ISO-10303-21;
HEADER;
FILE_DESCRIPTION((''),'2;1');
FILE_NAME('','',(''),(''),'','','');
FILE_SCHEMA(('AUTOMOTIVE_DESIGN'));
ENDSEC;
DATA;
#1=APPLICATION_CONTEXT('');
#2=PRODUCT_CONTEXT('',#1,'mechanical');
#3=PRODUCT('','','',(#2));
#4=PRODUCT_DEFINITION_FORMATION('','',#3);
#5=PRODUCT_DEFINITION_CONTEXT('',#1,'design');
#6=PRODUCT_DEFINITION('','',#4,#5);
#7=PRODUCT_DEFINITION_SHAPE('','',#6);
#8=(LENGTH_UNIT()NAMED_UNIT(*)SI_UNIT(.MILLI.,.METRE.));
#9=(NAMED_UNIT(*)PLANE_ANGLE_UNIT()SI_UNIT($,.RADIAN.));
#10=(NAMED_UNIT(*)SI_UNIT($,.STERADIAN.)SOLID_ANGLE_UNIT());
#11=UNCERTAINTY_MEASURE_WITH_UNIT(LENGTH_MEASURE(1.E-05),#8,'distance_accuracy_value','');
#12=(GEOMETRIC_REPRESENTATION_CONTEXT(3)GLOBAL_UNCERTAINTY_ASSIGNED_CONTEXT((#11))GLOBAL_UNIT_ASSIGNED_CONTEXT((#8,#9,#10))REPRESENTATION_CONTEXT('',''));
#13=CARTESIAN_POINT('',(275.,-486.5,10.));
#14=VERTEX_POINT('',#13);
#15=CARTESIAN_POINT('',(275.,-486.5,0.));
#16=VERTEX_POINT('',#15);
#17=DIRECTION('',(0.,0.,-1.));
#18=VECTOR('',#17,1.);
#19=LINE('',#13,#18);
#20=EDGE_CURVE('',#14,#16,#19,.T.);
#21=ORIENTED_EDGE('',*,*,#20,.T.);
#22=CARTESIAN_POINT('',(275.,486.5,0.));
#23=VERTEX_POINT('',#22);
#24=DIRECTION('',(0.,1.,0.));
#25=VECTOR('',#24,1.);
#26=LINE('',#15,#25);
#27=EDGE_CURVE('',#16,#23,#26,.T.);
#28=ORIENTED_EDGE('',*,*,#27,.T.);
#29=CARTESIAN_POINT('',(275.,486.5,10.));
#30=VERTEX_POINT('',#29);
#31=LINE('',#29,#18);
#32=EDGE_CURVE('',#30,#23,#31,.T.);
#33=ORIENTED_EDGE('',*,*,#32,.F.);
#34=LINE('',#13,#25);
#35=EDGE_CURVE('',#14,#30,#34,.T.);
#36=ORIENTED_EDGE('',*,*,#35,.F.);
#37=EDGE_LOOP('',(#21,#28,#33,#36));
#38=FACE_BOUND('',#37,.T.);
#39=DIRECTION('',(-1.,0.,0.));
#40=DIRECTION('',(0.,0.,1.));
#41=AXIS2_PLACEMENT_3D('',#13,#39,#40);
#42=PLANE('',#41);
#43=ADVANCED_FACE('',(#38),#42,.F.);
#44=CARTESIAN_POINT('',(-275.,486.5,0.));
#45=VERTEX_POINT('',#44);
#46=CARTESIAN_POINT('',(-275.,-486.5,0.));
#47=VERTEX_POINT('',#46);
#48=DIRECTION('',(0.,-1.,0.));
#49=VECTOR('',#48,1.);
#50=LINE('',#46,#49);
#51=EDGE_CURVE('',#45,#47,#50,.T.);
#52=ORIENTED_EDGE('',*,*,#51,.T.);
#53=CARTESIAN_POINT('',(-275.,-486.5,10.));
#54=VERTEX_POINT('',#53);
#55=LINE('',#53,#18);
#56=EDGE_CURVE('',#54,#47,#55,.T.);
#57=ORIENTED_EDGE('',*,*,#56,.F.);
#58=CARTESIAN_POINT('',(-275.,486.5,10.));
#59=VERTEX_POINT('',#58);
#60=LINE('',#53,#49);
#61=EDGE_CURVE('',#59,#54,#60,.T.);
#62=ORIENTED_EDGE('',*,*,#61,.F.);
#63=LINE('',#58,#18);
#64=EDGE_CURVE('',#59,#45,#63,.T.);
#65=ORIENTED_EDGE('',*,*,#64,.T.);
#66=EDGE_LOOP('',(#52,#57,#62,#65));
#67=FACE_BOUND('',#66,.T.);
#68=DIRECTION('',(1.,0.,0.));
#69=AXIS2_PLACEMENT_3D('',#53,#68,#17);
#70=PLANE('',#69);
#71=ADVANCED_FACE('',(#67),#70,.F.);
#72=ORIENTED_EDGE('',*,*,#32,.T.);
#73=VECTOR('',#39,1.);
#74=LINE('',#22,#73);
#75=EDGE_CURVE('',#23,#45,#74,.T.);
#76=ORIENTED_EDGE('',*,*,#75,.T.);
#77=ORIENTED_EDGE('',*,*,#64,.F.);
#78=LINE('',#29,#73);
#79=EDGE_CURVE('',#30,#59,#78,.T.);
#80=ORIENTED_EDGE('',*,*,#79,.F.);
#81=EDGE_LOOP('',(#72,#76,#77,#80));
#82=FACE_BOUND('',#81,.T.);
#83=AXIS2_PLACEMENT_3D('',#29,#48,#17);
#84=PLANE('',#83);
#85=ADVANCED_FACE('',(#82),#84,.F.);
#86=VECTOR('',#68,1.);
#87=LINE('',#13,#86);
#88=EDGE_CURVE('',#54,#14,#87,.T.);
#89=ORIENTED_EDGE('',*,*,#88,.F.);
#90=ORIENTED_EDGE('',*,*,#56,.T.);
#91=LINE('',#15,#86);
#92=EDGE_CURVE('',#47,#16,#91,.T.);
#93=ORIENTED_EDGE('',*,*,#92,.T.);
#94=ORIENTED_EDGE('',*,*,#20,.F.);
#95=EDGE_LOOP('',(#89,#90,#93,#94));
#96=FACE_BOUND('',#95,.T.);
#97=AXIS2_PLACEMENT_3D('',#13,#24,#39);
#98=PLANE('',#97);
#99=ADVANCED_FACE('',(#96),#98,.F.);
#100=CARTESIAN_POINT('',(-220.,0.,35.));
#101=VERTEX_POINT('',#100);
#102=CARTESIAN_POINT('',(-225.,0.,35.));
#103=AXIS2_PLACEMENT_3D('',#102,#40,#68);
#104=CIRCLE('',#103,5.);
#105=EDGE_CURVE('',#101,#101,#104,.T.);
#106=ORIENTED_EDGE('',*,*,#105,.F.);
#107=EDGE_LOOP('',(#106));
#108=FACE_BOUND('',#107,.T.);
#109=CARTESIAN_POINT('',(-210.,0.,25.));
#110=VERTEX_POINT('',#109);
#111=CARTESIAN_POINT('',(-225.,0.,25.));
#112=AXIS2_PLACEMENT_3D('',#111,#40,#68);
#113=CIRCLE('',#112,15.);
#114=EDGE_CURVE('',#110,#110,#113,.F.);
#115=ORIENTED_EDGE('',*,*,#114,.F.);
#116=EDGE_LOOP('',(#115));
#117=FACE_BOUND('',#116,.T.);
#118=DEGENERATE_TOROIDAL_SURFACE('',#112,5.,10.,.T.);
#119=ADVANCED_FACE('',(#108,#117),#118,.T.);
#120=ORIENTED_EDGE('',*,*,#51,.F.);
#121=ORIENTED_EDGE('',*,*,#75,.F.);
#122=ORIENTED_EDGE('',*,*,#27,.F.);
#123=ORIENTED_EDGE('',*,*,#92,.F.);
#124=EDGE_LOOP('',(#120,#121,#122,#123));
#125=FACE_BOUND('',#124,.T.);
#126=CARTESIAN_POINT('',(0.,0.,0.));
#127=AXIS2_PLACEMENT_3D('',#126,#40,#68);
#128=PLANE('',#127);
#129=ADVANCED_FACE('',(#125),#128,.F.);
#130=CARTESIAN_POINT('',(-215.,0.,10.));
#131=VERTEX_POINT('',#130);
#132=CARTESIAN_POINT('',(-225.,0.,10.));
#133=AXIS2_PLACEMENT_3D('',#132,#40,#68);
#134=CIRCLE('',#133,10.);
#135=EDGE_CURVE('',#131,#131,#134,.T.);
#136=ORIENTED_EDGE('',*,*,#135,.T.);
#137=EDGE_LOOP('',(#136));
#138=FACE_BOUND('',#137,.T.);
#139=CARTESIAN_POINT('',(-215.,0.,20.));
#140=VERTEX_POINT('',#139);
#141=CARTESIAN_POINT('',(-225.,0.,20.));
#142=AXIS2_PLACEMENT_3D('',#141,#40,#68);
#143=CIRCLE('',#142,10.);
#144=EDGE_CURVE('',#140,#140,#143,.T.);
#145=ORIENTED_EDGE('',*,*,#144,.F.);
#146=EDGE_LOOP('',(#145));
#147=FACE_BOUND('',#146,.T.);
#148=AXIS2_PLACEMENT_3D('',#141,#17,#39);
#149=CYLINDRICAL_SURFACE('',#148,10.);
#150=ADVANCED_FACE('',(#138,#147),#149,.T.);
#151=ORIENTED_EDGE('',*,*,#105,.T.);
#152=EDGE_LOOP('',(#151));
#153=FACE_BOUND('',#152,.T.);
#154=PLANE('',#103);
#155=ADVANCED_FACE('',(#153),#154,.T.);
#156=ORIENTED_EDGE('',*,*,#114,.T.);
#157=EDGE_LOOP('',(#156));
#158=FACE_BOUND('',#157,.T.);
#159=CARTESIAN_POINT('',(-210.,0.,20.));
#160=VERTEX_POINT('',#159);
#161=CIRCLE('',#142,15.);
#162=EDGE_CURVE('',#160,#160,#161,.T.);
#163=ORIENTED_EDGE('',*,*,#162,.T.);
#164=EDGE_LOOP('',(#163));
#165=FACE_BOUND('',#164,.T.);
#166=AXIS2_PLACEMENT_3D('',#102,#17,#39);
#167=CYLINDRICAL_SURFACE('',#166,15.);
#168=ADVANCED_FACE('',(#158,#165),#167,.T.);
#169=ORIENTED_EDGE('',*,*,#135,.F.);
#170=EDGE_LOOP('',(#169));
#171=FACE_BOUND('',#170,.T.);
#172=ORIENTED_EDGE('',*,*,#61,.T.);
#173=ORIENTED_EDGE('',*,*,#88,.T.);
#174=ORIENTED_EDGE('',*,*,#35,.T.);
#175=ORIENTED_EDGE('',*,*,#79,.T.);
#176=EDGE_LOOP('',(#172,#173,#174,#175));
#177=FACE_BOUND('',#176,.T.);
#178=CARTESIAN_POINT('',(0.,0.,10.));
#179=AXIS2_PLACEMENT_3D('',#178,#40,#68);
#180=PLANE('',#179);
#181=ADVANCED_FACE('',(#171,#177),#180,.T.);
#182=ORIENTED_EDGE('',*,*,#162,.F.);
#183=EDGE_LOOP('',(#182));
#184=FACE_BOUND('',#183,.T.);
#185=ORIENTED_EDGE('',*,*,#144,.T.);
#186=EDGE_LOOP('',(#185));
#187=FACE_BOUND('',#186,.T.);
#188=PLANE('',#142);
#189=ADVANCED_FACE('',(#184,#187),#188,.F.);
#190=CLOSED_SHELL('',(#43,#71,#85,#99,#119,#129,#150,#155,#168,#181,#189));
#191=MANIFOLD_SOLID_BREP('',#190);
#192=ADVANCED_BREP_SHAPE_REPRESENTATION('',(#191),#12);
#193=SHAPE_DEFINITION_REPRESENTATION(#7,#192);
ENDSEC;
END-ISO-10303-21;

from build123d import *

# Parameters (mm, degrees)
SKETCH2_W           = 550
SKETCH2_H           = 973
BOSS_EXTRUDE1_DEPTH = 10
SKETCH3_R           = 10
BOSS_EXTRUDE2_DEPTH = 10
SKETCH4_R           = 15
BOSS_EXTRUDE3_DEPTH = 15
FILLET1_R           = 10


with BuildPart() as part:
    # Sketch2 → Boss-Extrude1 (new body)
    with BuildSketch(Plane.XY):
        Rectangle(SKETCH2_W, SKETCH2_H)
    extrude(amount=BOSS_EXTRUDE1_DEPTH)

    # Sketch3 → Boss-Extrude2 (add)
    with BuildSketch(Plane.XY.offset(10)):
        with Locations((-225, 0)):
            Circle(SKETCH3_R)
    extrude(amount=BOSS_EXTRUDE2_DEPTH)

    # Sketch4 → Boss-Extrude3 (add)
    with BuildSketch(Plane.XY.offset(20)):
        with Locations((-225, 0)):
            Circle(SKETCH4_R)
    extrude(amount=BOSS_EXTRUDE3_DEPTH)

    # Fillet1
    fillet1_edges = [part.edges().sort_by_distance(p)[0] for p in [
        (-240, 0, 35),
    ]]
    fillet(fillet1_edges, radius=FILLET1_R)


solid = part.part
